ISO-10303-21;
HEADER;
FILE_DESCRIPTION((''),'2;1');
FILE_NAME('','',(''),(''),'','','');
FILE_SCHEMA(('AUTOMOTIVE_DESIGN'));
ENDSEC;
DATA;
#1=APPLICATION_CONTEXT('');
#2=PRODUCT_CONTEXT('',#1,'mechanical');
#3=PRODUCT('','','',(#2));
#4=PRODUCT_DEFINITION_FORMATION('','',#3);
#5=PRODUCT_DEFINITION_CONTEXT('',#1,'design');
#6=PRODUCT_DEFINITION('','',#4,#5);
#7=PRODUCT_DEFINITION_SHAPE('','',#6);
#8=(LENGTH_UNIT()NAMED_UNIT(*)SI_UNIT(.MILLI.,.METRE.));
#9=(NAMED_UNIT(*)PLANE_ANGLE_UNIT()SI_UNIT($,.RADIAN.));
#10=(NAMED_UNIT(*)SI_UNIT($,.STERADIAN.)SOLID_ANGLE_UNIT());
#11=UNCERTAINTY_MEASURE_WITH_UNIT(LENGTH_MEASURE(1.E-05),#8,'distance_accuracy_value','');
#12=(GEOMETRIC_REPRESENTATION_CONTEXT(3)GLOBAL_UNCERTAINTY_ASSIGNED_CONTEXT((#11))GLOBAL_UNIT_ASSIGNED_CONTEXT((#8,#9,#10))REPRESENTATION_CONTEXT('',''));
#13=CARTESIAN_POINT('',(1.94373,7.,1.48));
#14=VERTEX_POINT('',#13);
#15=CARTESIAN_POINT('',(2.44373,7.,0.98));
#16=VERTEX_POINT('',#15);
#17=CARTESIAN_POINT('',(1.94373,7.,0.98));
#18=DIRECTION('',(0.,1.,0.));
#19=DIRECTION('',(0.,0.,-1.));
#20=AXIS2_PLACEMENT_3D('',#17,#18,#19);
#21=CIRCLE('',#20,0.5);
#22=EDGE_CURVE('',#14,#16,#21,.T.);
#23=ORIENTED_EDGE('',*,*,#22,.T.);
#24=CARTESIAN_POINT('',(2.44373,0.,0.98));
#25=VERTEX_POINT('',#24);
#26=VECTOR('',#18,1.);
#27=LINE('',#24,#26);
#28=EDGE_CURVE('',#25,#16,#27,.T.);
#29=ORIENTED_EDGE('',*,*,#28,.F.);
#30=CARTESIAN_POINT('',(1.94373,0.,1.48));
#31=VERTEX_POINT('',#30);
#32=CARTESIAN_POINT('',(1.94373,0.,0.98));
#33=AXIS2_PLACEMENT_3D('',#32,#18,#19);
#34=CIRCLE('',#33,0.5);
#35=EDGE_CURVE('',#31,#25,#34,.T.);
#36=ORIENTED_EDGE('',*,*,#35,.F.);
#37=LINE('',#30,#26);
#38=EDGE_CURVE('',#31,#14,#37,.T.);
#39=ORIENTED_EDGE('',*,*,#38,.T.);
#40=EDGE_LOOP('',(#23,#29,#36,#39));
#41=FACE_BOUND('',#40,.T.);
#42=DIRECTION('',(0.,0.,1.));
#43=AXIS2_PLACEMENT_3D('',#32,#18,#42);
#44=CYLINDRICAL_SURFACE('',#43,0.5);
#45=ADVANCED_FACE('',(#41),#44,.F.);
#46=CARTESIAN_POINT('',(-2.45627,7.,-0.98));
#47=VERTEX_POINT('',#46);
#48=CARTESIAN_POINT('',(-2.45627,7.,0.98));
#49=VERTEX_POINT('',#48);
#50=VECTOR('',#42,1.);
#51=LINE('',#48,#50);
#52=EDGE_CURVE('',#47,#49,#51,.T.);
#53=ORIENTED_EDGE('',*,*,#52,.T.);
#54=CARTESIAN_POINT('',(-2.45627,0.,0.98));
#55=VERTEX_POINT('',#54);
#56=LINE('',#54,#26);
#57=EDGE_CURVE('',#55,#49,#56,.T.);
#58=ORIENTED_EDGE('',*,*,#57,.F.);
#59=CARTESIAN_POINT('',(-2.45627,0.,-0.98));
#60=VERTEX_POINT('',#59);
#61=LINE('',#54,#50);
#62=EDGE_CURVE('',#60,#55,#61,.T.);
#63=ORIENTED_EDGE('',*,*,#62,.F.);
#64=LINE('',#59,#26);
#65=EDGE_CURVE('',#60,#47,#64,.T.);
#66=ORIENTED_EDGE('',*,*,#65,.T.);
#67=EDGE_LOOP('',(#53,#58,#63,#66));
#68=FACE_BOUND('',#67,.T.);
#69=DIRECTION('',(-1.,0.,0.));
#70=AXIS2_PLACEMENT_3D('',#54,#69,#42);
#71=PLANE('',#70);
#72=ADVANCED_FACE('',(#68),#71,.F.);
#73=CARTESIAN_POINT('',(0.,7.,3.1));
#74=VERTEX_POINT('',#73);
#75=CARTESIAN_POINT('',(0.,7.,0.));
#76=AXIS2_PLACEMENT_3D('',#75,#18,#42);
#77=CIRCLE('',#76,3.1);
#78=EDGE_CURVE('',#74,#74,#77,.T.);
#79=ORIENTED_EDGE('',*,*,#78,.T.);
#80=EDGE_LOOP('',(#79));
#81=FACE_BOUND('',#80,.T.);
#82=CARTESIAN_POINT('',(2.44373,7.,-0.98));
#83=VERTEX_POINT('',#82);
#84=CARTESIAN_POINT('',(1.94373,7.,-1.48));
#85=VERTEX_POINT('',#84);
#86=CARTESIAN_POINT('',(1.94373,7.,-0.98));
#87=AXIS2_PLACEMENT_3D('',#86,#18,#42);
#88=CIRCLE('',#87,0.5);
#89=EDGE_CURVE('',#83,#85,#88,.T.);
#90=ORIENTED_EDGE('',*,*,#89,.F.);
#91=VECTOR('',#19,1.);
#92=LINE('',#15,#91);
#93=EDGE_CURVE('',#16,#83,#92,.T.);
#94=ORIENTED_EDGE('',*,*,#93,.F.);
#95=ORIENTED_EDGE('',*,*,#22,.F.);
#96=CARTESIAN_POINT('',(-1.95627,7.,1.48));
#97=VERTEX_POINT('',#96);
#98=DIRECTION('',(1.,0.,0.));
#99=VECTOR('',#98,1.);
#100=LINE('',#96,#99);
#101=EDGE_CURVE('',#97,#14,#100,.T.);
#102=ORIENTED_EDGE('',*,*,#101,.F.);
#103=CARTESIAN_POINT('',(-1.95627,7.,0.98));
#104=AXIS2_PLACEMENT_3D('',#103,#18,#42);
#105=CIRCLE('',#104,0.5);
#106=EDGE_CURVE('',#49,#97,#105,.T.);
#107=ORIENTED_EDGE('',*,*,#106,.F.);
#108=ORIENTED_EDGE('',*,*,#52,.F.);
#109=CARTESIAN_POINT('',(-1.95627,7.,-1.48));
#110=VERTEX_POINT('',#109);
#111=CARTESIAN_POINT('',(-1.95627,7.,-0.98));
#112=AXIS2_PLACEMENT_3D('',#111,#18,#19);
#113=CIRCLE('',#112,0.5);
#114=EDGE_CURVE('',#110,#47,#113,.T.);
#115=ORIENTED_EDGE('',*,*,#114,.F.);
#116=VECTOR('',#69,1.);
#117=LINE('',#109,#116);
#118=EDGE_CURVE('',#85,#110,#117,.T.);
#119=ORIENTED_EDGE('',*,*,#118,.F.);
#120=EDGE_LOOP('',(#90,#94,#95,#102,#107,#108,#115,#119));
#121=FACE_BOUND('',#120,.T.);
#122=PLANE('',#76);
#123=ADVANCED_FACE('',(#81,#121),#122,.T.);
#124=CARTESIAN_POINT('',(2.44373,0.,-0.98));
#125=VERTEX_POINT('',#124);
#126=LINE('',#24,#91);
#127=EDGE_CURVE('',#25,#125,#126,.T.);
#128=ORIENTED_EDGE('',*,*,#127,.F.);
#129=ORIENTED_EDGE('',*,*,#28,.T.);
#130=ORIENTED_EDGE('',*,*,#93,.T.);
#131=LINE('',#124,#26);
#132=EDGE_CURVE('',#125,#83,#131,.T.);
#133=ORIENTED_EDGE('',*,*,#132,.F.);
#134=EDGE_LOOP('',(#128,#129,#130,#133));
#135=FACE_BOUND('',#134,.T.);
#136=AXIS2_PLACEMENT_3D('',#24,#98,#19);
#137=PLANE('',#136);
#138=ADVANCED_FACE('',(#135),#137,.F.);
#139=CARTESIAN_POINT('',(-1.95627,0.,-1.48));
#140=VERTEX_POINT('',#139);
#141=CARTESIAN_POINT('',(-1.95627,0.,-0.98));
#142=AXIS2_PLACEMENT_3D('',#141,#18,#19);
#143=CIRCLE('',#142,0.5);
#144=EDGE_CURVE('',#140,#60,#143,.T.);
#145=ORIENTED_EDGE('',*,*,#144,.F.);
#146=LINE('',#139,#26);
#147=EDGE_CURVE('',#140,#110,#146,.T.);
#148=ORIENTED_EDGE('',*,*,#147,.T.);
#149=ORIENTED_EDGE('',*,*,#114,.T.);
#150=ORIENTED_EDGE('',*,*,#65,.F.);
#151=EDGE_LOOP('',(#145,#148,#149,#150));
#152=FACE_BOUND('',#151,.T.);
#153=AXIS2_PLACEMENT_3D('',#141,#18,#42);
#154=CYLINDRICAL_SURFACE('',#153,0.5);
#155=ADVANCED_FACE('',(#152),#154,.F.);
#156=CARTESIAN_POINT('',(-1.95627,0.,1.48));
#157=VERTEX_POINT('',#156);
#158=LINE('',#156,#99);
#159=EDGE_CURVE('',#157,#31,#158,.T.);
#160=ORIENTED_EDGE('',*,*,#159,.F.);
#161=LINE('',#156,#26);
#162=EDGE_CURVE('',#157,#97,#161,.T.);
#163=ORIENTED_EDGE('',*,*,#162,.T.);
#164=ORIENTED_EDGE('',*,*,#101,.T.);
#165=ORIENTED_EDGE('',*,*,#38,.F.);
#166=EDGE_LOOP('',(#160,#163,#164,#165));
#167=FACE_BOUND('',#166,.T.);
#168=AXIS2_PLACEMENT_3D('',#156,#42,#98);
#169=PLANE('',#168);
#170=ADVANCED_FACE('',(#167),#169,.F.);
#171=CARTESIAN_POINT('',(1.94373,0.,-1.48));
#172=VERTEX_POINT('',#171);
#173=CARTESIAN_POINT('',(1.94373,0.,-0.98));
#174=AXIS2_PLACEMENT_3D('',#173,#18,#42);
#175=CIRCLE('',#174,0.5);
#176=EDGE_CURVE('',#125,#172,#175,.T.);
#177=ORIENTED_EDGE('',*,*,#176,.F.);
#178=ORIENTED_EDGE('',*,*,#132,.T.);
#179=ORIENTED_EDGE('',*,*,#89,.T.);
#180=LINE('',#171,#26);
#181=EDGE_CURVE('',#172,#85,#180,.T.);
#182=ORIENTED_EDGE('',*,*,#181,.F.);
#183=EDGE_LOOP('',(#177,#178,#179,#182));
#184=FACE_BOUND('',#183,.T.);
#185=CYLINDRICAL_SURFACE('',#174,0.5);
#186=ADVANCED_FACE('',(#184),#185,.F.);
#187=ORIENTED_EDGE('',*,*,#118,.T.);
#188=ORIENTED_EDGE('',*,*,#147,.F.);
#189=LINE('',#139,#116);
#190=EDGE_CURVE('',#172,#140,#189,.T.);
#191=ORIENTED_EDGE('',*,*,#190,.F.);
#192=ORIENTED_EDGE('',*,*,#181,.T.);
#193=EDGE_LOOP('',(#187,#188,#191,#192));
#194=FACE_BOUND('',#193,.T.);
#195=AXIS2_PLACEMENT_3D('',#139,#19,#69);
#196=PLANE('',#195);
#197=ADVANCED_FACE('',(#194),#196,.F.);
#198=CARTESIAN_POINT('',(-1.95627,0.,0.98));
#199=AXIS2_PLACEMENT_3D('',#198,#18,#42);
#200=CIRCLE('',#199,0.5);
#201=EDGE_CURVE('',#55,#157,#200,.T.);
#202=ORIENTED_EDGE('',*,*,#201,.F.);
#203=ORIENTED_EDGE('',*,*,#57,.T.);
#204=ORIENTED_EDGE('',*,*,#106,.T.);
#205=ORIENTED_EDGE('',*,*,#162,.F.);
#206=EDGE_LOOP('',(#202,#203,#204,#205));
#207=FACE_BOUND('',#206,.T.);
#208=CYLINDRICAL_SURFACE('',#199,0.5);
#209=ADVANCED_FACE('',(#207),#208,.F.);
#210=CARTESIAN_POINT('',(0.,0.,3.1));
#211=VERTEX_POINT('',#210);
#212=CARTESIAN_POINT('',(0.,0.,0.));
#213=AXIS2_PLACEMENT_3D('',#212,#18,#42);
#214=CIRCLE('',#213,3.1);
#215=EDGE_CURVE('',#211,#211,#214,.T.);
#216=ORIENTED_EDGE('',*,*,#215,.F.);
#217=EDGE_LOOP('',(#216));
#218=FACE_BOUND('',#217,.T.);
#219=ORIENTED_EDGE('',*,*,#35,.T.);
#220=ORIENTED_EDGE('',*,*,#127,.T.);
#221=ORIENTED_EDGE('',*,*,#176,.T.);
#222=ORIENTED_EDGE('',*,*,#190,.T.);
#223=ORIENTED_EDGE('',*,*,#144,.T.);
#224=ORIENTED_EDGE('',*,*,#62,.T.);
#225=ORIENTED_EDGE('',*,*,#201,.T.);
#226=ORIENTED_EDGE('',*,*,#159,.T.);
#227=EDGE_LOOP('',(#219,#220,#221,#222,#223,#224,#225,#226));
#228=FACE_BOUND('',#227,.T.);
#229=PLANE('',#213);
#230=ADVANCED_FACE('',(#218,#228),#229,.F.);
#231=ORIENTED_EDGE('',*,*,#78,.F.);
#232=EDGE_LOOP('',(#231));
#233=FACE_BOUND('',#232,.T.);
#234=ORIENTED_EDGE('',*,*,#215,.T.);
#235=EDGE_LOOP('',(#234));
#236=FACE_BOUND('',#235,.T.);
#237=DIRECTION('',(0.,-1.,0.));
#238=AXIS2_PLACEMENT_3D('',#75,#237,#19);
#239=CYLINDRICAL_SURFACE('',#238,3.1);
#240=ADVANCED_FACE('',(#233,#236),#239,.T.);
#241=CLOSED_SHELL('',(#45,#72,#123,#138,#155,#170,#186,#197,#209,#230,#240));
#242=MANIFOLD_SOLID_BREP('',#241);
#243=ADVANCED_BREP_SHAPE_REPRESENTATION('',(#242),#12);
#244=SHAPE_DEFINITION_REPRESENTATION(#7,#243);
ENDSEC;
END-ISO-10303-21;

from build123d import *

# Parameters (mm, degrees)
ESBO_O1_R                = 3.1
RESSALTO_EXTRUS_O1_DEPTH = 7
CORTE_EXTRUS_O1_DEPTH    = 9.259539939


with BuildPart() as part:
    # Esboço1 → Ressalto-extrusão1 (new body)
    with BuildSketch(Plane(origin=(0, 0, 0), x_dir=(1, 0, 0), z_dir=(0, 1, 0))):
        with Locations(Location((0, 0, 0), (0, 0, 270))):
            Circle(ESBO_O1_R)
    extrude(amount=RESSALTO_EXTRUS_O1_DEPTH)

    # Esboço2 → Corte-extrusão1 (cut, through all)
    with BuildSketch(Plane(origin=(0, 7, 0), x_dir=(1, 0, 0), z_dir=(0, 1, 0))):
        with BuildLine():
            Line((-1.956270364, -1.48), (1.943729636, -1.48))
            ThreePointArc((1.943729636, -1.48), (2.297283026, -1.333553391), (2.443729636, -0.98))
            Line((2.443729636, -0.98), (2.443729636, 0.98))
            ThreePointArc((2.443729636, 0.98), (2.297283026, 1.333553391), (1.943729636, 1.48))
            Line((1.943729636, 1.48), (-1.956270364, 1.48))
            ThreePointArc((-1.956270364, 1.48), (-2.309823755, 1.333553391), (-2.456270364, 0.98))
            Line((-2.456270364, 0.98), (-2.456270364, -0.98))
            ThreePointArc((-2.456270364, -0.98), (-2.309823755, -1.333553391), (-1.956270364, -1.48))
        make_face()
    extrude(amount=-CORTE_EXTRUS_O1_DEPTH, mode=Mode.SUBTRACT)


solid = part.part
